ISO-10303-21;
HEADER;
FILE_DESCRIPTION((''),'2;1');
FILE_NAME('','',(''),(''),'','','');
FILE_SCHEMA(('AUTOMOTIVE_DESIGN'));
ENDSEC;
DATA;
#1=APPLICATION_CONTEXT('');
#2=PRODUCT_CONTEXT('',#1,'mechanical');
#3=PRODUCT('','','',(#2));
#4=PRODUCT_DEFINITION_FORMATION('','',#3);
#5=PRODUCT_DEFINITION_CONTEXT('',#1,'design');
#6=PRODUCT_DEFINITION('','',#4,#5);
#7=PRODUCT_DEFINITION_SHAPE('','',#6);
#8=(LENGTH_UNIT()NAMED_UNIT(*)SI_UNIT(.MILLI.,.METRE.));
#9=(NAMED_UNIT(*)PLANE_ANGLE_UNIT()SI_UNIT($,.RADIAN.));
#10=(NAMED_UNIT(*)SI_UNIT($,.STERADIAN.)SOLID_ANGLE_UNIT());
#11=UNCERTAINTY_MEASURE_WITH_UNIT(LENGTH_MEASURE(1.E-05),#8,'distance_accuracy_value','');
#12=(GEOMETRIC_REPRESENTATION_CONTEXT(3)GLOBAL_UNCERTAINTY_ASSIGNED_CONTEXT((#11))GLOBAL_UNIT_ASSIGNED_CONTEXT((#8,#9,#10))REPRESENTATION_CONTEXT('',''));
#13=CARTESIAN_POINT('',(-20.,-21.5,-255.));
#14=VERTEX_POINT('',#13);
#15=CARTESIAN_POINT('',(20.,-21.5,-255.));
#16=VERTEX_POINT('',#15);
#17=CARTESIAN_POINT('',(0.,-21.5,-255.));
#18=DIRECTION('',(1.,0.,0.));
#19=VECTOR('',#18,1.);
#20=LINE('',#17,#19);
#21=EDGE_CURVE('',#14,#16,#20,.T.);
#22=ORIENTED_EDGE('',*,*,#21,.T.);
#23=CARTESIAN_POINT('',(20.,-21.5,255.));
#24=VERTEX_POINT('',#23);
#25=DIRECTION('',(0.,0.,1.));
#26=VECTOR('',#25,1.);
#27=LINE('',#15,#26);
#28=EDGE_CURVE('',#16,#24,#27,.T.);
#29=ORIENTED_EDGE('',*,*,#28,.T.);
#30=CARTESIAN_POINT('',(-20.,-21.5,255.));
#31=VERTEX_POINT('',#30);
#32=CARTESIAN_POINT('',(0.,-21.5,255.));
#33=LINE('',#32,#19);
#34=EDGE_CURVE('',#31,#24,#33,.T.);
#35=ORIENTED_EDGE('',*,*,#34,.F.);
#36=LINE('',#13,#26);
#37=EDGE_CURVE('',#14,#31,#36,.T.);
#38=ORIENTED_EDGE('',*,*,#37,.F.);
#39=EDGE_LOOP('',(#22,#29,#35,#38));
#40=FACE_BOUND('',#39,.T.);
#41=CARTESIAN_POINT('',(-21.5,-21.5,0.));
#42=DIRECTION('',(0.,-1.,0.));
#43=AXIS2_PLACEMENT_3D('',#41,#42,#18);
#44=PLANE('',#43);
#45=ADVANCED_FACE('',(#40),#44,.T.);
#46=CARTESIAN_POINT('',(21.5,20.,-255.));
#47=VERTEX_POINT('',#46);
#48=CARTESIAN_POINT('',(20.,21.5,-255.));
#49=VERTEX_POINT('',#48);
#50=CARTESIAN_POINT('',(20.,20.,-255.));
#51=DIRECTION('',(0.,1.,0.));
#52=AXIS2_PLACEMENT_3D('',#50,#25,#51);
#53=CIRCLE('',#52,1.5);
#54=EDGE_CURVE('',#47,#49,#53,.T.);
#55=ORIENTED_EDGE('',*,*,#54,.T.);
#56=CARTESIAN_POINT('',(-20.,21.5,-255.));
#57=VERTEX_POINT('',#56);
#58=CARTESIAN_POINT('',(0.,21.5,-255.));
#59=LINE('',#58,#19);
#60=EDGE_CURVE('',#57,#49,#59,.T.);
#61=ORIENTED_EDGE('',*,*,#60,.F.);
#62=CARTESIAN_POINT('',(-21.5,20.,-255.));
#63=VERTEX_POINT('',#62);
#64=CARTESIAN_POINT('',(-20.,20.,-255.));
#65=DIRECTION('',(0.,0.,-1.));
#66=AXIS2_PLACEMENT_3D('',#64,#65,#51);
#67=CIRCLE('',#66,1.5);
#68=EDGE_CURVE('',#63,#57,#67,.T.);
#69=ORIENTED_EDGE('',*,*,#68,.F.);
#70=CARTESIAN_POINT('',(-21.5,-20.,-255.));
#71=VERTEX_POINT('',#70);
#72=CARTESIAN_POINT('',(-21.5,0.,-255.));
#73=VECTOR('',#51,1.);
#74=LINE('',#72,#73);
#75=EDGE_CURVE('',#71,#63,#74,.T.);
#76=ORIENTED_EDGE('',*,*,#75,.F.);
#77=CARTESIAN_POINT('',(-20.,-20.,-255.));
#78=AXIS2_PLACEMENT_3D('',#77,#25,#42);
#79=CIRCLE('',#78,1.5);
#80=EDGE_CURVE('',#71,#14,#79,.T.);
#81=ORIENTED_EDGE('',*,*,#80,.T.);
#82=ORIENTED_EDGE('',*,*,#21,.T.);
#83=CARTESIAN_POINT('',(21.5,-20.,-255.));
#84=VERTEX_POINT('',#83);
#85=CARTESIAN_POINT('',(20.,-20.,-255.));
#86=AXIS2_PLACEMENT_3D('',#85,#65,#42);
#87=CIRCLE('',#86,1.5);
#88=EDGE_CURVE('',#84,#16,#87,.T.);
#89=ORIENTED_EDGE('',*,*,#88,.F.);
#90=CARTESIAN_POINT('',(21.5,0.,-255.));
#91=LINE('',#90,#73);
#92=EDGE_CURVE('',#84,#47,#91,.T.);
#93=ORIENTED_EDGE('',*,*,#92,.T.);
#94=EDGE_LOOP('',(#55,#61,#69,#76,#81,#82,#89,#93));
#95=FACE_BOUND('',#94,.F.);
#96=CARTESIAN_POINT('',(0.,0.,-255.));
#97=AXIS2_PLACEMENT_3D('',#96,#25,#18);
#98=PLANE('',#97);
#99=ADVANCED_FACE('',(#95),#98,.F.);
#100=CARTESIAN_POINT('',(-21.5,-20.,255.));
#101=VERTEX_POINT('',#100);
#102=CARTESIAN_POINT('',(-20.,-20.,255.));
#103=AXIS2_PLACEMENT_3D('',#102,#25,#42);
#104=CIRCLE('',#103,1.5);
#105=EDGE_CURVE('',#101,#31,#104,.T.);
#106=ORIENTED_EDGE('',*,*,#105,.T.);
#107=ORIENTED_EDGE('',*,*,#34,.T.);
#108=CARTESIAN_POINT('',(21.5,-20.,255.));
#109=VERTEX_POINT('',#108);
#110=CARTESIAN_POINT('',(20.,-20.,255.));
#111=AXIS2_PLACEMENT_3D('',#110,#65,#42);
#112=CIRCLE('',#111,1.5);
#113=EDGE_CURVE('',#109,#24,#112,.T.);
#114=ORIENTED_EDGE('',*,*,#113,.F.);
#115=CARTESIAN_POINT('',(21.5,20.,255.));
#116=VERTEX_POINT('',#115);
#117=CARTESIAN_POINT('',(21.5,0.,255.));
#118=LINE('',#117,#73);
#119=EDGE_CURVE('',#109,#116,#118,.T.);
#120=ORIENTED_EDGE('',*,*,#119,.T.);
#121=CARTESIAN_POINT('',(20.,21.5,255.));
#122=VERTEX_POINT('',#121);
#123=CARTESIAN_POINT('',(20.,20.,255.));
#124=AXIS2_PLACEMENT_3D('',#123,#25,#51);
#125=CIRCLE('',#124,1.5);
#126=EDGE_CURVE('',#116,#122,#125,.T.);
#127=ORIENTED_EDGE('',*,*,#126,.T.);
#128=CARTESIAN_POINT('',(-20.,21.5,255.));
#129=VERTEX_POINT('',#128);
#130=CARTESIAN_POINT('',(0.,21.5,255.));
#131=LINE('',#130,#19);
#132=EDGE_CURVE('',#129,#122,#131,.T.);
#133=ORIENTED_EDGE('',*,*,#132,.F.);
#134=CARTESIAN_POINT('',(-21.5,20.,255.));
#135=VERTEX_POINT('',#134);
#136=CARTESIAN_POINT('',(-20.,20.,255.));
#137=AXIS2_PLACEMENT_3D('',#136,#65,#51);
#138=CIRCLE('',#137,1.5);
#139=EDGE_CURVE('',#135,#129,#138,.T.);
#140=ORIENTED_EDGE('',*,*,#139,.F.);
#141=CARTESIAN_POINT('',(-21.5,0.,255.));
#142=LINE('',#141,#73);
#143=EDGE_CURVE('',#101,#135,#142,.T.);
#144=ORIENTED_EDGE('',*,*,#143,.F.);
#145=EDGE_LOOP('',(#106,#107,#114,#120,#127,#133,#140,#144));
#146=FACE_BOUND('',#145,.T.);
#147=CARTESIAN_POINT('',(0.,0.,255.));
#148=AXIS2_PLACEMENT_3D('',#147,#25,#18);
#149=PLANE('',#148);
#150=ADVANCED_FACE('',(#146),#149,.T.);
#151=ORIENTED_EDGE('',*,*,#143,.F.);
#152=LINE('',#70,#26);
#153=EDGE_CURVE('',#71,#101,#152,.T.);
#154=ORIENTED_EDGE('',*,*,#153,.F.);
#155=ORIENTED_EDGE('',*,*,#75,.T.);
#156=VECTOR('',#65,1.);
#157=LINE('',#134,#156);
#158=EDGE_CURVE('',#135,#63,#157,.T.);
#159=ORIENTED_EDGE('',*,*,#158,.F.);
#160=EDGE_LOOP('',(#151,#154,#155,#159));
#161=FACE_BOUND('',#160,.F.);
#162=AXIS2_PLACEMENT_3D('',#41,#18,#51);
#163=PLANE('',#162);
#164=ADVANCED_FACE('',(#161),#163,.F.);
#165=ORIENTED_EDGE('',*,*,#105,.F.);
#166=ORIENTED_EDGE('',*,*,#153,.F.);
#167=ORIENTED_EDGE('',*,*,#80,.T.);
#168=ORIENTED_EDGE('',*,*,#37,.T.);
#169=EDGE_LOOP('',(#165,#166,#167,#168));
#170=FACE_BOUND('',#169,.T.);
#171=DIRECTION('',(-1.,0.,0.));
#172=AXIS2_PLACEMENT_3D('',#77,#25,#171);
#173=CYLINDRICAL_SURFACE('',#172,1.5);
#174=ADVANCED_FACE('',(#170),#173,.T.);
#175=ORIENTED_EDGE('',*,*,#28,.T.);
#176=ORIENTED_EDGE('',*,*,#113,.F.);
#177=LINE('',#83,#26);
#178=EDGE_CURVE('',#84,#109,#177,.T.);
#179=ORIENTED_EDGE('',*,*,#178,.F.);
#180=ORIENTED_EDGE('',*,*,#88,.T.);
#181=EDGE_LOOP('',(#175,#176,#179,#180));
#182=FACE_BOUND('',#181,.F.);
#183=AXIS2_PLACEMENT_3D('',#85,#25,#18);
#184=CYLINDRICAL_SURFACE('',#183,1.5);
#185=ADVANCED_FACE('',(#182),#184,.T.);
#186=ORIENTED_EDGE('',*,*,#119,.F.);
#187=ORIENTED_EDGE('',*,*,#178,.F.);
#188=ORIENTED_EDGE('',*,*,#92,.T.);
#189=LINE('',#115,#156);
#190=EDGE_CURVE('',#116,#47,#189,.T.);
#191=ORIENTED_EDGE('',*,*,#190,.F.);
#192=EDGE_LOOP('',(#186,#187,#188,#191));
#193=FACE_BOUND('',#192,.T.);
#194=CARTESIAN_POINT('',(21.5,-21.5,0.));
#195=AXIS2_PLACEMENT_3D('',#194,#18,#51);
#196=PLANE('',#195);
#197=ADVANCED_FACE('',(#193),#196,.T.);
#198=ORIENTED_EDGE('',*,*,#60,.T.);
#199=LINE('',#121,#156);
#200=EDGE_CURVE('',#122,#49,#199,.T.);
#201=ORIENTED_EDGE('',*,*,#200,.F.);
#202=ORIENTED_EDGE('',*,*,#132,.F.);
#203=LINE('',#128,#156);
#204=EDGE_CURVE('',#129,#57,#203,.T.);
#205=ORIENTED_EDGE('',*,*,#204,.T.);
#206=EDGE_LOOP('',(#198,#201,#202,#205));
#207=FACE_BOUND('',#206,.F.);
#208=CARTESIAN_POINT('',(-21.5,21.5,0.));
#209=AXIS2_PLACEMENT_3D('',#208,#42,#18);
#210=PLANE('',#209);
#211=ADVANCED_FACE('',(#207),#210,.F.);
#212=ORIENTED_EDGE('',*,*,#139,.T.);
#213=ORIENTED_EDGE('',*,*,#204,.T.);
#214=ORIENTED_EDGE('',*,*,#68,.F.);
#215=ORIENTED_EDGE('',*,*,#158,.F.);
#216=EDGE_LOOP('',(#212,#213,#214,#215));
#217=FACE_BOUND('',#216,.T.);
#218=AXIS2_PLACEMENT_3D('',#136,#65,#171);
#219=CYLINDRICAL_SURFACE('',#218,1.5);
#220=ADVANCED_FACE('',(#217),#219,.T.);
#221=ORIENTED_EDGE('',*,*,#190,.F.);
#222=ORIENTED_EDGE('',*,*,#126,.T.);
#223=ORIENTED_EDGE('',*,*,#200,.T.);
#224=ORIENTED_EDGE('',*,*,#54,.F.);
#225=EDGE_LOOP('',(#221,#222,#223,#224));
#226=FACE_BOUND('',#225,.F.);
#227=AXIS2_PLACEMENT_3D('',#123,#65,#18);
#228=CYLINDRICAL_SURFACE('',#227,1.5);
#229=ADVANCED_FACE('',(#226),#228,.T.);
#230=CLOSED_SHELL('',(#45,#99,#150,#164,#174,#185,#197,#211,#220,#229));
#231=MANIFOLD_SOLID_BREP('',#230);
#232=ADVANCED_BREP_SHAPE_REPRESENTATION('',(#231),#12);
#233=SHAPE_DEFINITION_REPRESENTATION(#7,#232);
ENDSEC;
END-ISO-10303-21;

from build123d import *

# Parameters (mm, degrees)
F0_W     = 43
F0_H     = 43
F1_DEPTH = 255
F2_R     = 1.5


with BuildPart() as f1:
    # F0 (on Top) → F1 (new body, symmetric)
    with BuildSketch(Plane.XY):
        Rectangle(F0_W, F0_H)
    extrude(amount=F1_DEPTH, both=True)

    # F2
    f2_edges = [f1.edges().sort_by_distance(p)[0] for p in [
        (21.5, -21.5, 0),
        (21.5, 21.5, 0),
        (-21.5, -21.5, 0),
        (-21.5, 21.5, 0),
    ]]
    fillet(f2_edges, radius=F2_R)


solid = f1.part
